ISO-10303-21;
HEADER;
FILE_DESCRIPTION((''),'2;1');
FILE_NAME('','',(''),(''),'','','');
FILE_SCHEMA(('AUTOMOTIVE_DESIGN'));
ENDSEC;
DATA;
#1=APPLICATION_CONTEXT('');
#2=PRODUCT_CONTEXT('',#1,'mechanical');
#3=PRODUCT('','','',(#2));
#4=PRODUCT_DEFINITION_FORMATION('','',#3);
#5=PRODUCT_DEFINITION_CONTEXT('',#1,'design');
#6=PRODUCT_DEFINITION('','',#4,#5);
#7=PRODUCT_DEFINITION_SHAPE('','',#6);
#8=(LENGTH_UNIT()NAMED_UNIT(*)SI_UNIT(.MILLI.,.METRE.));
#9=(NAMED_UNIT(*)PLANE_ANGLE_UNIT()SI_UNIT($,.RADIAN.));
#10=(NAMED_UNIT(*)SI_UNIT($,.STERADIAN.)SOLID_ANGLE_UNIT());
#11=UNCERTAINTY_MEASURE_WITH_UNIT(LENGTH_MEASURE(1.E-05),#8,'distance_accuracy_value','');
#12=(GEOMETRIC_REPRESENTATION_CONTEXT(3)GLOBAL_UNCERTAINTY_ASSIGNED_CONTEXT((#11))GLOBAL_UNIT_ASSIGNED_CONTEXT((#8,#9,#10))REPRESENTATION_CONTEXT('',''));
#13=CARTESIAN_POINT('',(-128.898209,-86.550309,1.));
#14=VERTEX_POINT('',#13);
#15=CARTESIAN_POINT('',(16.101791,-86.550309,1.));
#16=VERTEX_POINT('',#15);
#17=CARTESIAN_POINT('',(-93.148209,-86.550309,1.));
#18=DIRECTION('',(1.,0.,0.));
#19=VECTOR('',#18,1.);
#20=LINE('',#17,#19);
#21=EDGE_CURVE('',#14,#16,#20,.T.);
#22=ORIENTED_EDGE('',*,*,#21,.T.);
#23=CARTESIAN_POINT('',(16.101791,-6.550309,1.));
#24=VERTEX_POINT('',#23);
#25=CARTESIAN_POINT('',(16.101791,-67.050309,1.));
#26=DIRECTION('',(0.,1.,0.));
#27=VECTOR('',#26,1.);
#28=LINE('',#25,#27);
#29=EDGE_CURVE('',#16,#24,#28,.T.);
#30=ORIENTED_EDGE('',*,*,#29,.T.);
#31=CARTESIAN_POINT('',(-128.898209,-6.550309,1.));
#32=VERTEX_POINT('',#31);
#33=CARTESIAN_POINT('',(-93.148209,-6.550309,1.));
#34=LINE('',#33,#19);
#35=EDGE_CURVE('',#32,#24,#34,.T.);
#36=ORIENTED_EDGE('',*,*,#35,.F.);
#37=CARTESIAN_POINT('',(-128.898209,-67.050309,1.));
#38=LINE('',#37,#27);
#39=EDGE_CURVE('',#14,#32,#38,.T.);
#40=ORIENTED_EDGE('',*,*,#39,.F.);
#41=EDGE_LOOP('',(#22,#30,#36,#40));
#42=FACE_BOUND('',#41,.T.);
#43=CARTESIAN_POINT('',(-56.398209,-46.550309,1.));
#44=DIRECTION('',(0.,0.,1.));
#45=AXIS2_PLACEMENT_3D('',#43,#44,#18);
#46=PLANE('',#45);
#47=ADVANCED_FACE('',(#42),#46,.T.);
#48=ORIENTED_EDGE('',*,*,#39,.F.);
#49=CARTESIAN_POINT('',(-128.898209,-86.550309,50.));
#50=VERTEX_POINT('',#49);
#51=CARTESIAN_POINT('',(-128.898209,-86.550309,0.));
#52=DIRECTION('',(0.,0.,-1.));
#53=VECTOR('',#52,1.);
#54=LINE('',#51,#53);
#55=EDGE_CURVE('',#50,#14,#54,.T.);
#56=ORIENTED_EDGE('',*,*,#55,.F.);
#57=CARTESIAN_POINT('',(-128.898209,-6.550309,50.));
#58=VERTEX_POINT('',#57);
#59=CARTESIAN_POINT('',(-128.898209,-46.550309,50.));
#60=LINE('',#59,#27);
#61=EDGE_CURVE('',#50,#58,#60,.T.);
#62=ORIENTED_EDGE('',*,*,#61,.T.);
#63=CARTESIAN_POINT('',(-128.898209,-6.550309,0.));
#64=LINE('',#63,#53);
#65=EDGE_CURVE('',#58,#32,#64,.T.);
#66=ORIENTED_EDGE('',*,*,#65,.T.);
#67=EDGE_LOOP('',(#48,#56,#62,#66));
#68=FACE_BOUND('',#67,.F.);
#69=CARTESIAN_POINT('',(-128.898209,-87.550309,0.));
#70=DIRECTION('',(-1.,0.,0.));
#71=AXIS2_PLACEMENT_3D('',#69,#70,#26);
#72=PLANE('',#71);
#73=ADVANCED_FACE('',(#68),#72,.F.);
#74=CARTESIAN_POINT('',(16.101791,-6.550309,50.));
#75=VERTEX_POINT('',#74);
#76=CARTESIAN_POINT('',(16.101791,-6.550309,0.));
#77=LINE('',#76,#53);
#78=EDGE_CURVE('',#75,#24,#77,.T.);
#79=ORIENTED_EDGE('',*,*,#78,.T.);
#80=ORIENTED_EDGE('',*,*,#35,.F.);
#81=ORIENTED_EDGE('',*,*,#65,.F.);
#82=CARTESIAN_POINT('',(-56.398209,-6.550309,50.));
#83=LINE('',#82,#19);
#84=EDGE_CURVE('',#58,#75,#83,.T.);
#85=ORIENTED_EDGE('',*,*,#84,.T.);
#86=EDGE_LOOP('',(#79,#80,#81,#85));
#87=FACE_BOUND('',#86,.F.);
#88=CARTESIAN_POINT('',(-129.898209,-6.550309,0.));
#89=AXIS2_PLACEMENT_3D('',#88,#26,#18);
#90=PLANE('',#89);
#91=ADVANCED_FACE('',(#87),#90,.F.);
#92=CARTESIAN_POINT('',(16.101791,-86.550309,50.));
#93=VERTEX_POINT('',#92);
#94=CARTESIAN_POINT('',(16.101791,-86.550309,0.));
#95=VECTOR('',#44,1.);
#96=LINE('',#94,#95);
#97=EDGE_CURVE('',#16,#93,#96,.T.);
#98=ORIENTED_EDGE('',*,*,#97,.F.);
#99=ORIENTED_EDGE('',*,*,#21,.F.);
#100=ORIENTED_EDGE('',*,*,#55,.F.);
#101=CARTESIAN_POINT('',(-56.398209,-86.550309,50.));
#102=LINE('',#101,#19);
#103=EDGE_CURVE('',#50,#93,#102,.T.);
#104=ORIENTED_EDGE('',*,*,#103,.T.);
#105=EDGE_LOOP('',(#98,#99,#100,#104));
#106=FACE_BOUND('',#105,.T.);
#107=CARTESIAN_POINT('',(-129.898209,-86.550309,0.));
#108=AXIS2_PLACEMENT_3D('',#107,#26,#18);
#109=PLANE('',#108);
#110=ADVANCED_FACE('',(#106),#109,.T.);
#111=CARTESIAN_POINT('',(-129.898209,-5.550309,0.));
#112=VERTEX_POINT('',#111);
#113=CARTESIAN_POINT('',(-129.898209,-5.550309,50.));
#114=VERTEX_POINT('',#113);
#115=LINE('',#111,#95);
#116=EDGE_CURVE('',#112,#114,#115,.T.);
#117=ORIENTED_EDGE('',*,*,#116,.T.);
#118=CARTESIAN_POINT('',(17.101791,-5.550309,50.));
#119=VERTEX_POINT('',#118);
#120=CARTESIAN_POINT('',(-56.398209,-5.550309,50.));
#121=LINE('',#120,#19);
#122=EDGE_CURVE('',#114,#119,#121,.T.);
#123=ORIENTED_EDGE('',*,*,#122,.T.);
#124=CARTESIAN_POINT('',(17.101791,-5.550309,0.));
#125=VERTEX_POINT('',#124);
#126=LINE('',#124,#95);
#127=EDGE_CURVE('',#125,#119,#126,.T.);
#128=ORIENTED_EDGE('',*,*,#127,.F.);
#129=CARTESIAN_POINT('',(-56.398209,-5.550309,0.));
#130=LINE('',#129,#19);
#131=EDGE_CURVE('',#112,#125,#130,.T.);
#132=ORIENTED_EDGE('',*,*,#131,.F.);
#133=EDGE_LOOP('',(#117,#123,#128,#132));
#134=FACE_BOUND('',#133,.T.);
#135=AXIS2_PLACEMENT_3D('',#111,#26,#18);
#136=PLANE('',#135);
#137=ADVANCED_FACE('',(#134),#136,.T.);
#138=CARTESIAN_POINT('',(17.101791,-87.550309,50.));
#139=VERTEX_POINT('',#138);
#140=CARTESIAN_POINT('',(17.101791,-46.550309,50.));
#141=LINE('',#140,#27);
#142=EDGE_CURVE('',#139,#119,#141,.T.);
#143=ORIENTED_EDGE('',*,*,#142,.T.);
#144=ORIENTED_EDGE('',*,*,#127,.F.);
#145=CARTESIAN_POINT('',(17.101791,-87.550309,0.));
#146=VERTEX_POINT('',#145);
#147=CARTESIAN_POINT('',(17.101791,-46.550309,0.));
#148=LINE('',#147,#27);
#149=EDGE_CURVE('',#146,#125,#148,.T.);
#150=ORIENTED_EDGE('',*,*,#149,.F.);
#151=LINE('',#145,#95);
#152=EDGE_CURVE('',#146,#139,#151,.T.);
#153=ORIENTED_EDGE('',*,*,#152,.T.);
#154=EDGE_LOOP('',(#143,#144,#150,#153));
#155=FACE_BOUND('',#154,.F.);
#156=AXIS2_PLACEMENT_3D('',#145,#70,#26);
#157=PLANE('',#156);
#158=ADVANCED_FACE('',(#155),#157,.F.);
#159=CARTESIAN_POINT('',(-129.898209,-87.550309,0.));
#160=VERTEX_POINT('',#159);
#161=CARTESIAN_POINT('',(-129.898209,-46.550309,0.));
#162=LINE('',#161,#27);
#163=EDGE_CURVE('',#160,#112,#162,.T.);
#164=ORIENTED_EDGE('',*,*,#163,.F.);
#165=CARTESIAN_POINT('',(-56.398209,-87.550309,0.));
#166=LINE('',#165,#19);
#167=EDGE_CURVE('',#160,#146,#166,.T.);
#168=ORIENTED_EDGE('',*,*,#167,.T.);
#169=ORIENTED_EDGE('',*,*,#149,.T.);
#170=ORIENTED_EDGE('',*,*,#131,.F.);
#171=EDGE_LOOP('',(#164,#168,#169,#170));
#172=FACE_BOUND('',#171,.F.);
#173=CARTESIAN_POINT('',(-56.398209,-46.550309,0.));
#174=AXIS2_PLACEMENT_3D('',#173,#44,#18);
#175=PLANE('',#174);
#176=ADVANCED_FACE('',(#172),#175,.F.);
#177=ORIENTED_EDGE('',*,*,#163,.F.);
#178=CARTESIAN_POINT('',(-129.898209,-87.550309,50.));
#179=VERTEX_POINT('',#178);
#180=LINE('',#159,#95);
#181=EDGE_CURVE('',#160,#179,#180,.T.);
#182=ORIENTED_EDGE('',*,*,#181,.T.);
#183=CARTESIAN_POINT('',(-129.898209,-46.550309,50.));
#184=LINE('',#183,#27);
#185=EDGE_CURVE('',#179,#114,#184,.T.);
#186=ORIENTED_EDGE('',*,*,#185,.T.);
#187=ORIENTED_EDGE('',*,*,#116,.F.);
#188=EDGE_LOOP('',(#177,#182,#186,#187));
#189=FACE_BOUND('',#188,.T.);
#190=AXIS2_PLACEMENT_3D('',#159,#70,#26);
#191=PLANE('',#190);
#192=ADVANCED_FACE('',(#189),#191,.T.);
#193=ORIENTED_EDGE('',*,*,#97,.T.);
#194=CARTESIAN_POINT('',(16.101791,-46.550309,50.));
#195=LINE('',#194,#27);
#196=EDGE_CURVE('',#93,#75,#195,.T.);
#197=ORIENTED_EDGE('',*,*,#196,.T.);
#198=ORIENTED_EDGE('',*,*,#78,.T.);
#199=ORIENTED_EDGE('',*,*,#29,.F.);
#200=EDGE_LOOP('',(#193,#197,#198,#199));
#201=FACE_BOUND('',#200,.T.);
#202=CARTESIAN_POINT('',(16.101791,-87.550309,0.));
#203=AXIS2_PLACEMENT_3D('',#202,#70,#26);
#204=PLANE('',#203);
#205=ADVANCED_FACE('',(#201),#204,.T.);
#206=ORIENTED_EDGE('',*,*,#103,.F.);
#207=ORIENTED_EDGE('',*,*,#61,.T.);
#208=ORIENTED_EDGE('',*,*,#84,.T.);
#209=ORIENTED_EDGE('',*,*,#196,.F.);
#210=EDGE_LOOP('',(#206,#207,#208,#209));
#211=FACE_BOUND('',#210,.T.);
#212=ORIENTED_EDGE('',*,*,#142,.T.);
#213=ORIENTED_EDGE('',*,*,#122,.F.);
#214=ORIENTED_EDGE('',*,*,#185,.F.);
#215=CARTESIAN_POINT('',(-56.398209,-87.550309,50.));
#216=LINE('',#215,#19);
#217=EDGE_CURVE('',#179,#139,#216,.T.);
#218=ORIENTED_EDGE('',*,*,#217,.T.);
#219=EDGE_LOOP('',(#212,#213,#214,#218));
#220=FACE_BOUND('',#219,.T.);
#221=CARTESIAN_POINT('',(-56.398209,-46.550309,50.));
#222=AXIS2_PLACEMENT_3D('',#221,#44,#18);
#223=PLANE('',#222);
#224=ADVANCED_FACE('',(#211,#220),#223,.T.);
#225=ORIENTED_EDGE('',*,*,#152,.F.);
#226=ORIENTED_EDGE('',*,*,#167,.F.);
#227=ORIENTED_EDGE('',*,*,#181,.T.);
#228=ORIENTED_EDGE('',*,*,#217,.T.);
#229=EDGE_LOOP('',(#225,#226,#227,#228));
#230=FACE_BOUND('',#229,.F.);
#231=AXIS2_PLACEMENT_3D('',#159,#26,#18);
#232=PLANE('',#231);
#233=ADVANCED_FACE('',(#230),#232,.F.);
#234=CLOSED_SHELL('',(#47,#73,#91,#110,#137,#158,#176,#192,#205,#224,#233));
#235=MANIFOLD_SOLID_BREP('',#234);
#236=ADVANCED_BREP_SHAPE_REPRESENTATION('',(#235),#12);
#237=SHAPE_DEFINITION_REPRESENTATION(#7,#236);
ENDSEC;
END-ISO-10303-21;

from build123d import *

# Parameters (mm, degrees)
F0_W     = 147
F0_H     = 82
F1_DEPTH = 50
F2_T     = -1


with BuildPart() as f1:
    # F0 (on Top) → F1 (new body)
    with BuildSketch(Plane.XY):
        with Locations((-95.298209, -46.550309)):
            Rectangle(F0_W, F0_H)
    extrude(amount=F1_DEPTH)

    # F2
    f2_openings = [f1.faces().sort_by_distance(p)[0] for p in [
        (-95.298209, -46.550309, 50),
    ]]
    offset(amount=F2_T, openings=f2_openings)


with BuildPart() as f1_1:
    # F3: moved
    add(f1.part.moved(Location((38.9, 0, 0))))


solid = f1_1.part
